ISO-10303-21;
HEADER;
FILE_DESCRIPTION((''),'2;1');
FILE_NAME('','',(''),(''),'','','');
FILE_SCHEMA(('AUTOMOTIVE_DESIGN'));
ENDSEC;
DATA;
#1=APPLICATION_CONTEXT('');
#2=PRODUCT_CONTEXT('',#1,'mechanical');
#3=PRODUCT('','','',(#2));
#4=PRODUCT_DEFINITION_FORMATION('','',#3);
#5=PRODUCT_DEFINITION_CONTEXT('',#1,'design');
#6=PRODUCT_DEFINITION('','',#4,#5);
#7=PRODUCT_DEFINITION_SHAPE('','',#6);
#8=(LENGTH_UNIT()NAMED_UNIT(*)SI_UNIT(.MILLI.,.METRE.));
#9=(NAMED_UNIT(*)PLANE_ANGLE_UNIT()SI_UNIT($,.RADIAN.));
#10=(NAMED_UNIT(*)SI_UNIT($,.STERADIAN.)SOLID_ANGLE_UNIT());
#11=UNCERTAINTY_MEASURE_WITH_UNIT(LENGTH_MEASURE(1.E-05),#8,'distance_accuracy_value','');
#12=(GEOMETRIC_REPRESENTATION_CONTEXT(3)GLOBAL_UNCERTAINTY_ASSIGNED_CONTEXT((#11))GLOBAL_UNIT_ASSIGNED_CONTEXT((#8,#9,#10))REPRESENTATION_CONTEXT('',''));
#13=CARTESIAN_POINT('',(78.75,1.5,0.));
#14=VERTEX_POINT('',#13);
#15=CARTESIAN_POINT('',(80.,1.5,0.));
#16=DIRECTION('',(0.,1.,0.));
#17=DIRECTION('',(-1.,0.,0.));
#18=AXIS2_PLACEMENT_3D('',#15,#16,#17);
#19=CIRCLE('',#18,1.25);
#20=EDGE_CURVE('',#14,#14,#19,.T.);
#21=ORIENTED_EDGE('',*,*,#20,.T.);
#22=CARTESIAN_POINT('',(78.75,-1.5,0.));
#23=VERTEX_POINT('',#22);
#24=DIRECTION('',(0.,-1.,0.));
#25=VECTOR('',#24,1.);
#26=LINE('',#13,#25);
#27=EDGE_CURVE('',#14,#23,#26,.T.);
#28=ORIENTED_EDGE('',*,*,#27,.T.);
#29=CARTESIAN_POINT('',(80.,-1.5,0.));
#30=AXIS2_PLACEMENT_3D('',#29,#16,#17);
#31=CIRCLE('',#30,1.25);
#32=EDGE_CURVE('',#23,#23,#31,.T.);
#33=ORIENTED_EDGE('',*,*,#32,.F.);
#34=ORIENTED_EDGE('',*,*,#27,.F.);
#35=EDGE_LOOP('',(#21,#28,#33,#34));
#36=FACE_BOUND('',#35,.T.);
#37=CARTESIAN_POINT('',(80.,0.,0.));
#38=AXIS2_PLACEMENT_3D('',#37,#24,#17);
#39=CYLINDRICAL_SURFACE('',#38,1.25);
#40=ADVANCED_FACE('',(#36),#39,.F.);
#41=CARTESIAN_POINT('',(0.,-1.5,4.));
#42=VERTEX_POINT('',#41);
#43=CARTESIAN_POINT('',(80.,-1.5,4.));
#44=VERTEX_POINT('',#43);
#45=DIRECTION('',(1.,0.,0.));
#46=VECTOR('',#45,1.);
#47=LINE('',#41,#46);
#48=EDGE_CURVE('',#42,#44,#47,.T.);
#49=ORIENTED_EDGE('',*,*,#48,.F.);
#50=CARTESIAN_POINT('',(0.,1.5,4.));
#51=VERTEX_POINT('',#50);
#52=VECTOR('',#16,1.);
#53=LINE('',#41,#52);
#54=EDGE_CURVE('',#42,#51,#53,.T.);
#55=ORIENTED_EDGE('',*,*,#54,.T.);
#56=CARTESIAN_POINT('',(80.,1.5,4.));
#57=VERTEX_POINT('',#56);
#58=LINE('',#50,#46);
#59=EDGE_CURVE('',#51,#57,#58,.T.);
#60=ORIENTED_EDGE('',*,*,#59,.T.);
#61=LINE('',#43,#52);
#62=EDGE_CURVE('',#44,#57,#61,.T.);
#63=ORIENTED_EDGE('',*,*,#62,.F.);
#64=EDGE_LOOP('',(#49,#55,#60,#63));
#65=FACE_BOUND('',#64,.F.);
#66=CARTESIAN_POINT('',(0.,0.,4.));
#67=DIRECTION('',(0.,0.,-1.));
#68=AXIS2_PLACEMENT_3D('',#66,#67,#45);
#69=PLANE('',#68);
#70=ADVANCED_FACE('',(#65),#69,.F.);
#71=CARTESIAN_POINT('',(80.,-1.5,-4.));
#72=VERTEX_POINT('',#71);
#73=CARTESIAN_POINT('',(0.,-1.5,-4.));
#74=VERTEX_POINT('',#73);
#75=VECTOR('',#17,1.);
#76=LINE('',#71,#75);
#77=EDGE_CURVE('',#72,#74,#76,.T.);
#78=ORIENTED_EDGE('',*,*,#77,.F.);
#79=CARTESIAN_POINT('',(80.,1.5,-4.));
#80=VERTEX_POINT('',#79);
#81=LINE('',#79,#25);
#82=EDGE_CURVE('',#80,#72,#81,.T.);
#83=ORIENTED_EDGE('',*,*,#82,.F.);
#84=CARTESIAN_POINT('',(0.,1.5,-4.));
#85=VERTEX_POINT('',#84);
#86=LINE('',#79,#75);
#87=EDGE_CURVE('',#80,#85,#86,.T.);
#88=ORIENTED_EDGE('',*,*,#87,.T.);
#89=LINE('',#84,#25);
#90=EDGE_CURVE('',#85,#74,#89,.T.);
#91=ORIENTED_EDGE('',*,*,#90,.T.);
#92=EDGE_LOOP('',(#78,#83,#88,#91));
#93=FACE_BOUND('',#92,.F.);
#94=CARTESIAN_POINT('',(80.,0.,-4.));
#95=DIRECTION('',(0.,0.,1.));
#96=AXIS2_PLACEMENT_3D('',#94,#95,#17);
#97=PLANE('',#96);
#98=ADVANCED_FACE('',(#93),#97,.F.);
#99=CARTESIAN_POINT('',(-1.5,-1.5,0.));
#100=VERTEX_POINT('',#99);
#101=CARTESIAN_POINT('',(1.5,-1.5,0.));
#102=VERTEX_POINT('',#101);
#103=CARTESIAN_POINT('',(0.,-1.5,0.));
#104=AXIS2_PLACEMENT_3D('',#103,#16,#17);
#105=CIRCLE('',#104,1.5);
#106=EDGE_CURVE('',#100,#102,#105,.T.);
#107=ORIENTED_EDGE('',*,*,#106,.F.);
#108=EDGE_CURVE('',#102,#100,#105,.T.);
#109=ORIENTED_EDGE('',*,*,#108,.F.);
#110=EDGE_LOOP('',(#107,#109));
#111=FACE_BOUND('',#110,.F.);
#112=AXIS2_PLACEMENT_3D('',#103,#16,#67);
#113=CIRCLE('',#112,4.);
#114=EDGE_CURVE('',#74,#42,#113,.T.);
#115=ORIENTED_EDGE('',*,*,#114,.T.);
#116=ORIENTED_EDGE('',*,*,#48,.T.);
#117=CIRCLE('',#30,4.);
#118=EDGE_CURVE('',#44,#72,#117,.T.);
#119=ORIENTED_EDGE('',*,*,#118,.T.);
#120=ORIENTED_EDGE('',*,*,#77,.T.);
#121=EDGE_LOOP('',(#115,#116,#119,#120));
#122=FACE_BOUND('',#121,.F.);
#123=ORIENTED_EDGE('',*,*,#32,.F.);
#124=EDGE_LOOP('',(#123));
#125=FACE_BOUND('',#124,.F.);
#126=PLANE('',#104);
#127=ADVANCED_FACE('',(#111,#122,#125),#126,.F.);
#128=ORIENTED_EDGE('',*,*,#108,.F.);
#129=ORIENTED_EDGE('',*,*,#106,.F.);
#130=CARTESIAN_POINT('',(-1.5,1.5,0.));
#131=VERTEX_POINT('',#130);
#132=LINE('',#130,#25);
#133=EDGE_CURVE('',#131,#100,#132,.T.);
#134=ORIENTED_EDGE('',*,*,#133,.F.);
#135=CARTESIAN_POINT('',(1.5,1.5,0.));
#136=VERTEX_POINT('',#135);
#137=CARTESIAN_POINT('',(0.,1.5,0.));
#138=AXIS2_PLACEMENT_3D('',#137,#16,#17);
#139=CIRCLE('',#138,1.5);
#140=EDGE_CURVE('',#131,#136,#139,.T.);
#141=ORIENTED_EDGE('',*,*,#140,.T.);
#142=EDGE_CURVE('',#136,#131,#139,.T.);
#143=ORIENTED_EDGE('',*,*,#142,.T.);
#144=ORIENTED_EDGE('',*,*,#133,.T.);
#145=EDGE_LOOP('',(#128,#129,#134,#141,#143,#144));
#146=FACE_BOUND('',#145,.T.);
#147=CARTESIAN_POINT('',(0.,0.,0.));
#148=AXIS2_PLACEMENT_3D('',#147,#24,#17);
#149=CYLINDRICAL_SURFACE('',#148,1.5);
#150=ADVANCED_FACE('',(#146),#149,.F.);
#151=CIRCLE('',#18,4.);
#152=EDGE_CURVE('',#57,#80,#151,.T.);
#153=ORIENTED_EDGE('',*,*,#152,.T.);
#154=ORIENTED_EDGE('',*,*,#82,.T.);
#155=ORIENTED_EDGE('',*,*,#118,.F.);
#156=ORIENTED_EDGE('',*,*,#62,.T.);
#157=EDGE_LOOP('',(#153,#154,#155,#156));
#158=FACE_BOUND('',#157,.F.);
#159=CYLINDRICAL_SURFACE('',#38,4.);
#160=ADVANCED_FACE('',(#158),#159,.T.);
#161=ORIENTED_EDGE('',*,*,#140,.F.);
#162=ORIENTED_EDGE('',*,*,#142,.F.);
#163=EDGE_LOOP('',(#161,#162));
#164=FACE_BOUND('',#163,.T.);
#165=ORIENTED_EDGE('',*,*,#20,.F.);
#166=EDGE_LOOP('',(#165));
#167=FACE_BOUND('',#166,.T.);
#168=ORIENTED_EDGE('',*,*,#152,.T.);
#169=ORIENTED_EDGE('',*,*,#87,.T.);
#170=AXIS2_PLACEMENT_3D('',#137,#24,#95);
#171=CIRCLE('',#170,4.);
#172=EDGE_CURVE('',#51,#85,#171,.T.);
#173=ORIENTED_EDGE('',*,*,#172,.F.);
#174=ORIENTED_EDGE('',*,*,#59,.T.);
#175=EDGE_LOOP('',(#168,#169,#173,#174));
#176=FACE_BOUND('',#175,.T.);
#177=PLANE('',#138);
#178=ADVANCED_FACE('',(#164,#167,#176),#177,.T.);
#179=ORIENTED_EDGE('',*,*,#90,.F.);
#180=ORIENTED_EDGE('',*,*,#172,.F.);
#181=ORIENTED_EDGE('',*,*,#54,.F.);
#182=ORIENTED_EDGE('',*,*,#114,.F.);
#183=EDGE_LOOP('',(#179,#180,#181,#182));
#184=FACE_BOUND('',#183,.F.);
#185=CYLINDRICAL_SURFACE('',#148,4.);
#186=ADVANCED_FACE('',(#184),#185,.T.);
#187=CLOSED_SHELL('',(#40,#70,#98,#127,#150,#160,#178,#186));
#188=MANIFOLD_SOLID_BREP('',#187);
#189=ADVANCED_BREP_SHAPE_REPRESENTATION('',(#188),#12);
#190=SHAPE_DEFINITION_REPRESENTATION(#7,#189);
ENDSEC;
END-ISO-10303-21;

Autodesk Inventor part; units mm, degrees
ref_plane "YZ Plane" through (0, 0, 0) normal (1, 0, 0) x (0, 1, 0)
ref_plane "XZ Plane" through (0, 0, 0) normal (0, 1, 0) x (-1, 0, 0)
ref_plane "XY Plane" through (0, 0, 0) normal (0, 0, 1) x (1, 0, 0)
sketch "草圖1" plane through (0, 0, 0) normal (0, 1, 0) x (-1, 0, 0)
  circle A0 centre (0, 0) radius 1.5
  line L0 (0, 0) -> (-80, 0)
  circle A1 centre (-80, 0) radius 1.25
  circle A2 centre (-80, 0) radius 4
  circle A3 centre (0, 0) radius 4
  line L1 (0, 4) -> (-80, 4)
  line L2 (-80, -4) -> (0, -4)
  dimension "d0" = 3
  dimension "d14" = 80
  dimension "d15" = 2.5
  dimension "d16" = 8
  dimension "d17" = 8
extrude "擠出1" add sketch "草圖1" along normal mid plane 3
sketch "草圖2" plane through (0, 1.5, 0) normal (0, 1, 0) x (1, 0, 0)
  circle A0 centre (80, 0) radius 1.5 projected
  circle A1 centre (0, 0) radius 1.25 projected
  arc A2 (0, 6) -> (0, -6) centre (0, 0) ccw projected
  line L0 (0, -6) -> (80, -6) projected
  arc A3 (80, -6) -> (80, 6) centre (80, 0) ccw projected
  line L1 (80, 6) -> (0, 6) projected
  line L2 (80, 0) -> (70, 0)
  line L3 (70, 0) -> (70, 1.5)
  line L4 (70, 1.5) -> (62.5, 1.5)
  line L5 (62.5, 1.5) -> (62.5, -1.5)
  line L6 (62.5, -1.5) -> (70, -1.5)
  line L7 (70, -1.5) -> (70, 0)
  line L8 (62.5, 0) -> (48, 0)
  circle A4 centre (48, 0) radius 1.5
  line L9 (48, 0) -> (15, 0)
  line L10 (15, 0) -> (15, 1.5)
  line L11 (15, 1.5) -> (10, 1.5)
  line L12 (10, 1.5) -> (10, -1.5)
  line L13 (10, -1.5) -> (15, -1.5)
  line L14 (15, -1.5) -> (15, 0)
  dimension "d18" = 10
  dimension "d19" = 1.5
  dimension "d20" = 7.5
  dimension "d21" = 3
  dimension "d22" = 14.5
  dimension "d23" = 3
  dimension "d24" = 33
  dimension "d25" = 1.5
  dimension "d26" = 5
  dimension "d27" = 3
properties part number "連接5"
